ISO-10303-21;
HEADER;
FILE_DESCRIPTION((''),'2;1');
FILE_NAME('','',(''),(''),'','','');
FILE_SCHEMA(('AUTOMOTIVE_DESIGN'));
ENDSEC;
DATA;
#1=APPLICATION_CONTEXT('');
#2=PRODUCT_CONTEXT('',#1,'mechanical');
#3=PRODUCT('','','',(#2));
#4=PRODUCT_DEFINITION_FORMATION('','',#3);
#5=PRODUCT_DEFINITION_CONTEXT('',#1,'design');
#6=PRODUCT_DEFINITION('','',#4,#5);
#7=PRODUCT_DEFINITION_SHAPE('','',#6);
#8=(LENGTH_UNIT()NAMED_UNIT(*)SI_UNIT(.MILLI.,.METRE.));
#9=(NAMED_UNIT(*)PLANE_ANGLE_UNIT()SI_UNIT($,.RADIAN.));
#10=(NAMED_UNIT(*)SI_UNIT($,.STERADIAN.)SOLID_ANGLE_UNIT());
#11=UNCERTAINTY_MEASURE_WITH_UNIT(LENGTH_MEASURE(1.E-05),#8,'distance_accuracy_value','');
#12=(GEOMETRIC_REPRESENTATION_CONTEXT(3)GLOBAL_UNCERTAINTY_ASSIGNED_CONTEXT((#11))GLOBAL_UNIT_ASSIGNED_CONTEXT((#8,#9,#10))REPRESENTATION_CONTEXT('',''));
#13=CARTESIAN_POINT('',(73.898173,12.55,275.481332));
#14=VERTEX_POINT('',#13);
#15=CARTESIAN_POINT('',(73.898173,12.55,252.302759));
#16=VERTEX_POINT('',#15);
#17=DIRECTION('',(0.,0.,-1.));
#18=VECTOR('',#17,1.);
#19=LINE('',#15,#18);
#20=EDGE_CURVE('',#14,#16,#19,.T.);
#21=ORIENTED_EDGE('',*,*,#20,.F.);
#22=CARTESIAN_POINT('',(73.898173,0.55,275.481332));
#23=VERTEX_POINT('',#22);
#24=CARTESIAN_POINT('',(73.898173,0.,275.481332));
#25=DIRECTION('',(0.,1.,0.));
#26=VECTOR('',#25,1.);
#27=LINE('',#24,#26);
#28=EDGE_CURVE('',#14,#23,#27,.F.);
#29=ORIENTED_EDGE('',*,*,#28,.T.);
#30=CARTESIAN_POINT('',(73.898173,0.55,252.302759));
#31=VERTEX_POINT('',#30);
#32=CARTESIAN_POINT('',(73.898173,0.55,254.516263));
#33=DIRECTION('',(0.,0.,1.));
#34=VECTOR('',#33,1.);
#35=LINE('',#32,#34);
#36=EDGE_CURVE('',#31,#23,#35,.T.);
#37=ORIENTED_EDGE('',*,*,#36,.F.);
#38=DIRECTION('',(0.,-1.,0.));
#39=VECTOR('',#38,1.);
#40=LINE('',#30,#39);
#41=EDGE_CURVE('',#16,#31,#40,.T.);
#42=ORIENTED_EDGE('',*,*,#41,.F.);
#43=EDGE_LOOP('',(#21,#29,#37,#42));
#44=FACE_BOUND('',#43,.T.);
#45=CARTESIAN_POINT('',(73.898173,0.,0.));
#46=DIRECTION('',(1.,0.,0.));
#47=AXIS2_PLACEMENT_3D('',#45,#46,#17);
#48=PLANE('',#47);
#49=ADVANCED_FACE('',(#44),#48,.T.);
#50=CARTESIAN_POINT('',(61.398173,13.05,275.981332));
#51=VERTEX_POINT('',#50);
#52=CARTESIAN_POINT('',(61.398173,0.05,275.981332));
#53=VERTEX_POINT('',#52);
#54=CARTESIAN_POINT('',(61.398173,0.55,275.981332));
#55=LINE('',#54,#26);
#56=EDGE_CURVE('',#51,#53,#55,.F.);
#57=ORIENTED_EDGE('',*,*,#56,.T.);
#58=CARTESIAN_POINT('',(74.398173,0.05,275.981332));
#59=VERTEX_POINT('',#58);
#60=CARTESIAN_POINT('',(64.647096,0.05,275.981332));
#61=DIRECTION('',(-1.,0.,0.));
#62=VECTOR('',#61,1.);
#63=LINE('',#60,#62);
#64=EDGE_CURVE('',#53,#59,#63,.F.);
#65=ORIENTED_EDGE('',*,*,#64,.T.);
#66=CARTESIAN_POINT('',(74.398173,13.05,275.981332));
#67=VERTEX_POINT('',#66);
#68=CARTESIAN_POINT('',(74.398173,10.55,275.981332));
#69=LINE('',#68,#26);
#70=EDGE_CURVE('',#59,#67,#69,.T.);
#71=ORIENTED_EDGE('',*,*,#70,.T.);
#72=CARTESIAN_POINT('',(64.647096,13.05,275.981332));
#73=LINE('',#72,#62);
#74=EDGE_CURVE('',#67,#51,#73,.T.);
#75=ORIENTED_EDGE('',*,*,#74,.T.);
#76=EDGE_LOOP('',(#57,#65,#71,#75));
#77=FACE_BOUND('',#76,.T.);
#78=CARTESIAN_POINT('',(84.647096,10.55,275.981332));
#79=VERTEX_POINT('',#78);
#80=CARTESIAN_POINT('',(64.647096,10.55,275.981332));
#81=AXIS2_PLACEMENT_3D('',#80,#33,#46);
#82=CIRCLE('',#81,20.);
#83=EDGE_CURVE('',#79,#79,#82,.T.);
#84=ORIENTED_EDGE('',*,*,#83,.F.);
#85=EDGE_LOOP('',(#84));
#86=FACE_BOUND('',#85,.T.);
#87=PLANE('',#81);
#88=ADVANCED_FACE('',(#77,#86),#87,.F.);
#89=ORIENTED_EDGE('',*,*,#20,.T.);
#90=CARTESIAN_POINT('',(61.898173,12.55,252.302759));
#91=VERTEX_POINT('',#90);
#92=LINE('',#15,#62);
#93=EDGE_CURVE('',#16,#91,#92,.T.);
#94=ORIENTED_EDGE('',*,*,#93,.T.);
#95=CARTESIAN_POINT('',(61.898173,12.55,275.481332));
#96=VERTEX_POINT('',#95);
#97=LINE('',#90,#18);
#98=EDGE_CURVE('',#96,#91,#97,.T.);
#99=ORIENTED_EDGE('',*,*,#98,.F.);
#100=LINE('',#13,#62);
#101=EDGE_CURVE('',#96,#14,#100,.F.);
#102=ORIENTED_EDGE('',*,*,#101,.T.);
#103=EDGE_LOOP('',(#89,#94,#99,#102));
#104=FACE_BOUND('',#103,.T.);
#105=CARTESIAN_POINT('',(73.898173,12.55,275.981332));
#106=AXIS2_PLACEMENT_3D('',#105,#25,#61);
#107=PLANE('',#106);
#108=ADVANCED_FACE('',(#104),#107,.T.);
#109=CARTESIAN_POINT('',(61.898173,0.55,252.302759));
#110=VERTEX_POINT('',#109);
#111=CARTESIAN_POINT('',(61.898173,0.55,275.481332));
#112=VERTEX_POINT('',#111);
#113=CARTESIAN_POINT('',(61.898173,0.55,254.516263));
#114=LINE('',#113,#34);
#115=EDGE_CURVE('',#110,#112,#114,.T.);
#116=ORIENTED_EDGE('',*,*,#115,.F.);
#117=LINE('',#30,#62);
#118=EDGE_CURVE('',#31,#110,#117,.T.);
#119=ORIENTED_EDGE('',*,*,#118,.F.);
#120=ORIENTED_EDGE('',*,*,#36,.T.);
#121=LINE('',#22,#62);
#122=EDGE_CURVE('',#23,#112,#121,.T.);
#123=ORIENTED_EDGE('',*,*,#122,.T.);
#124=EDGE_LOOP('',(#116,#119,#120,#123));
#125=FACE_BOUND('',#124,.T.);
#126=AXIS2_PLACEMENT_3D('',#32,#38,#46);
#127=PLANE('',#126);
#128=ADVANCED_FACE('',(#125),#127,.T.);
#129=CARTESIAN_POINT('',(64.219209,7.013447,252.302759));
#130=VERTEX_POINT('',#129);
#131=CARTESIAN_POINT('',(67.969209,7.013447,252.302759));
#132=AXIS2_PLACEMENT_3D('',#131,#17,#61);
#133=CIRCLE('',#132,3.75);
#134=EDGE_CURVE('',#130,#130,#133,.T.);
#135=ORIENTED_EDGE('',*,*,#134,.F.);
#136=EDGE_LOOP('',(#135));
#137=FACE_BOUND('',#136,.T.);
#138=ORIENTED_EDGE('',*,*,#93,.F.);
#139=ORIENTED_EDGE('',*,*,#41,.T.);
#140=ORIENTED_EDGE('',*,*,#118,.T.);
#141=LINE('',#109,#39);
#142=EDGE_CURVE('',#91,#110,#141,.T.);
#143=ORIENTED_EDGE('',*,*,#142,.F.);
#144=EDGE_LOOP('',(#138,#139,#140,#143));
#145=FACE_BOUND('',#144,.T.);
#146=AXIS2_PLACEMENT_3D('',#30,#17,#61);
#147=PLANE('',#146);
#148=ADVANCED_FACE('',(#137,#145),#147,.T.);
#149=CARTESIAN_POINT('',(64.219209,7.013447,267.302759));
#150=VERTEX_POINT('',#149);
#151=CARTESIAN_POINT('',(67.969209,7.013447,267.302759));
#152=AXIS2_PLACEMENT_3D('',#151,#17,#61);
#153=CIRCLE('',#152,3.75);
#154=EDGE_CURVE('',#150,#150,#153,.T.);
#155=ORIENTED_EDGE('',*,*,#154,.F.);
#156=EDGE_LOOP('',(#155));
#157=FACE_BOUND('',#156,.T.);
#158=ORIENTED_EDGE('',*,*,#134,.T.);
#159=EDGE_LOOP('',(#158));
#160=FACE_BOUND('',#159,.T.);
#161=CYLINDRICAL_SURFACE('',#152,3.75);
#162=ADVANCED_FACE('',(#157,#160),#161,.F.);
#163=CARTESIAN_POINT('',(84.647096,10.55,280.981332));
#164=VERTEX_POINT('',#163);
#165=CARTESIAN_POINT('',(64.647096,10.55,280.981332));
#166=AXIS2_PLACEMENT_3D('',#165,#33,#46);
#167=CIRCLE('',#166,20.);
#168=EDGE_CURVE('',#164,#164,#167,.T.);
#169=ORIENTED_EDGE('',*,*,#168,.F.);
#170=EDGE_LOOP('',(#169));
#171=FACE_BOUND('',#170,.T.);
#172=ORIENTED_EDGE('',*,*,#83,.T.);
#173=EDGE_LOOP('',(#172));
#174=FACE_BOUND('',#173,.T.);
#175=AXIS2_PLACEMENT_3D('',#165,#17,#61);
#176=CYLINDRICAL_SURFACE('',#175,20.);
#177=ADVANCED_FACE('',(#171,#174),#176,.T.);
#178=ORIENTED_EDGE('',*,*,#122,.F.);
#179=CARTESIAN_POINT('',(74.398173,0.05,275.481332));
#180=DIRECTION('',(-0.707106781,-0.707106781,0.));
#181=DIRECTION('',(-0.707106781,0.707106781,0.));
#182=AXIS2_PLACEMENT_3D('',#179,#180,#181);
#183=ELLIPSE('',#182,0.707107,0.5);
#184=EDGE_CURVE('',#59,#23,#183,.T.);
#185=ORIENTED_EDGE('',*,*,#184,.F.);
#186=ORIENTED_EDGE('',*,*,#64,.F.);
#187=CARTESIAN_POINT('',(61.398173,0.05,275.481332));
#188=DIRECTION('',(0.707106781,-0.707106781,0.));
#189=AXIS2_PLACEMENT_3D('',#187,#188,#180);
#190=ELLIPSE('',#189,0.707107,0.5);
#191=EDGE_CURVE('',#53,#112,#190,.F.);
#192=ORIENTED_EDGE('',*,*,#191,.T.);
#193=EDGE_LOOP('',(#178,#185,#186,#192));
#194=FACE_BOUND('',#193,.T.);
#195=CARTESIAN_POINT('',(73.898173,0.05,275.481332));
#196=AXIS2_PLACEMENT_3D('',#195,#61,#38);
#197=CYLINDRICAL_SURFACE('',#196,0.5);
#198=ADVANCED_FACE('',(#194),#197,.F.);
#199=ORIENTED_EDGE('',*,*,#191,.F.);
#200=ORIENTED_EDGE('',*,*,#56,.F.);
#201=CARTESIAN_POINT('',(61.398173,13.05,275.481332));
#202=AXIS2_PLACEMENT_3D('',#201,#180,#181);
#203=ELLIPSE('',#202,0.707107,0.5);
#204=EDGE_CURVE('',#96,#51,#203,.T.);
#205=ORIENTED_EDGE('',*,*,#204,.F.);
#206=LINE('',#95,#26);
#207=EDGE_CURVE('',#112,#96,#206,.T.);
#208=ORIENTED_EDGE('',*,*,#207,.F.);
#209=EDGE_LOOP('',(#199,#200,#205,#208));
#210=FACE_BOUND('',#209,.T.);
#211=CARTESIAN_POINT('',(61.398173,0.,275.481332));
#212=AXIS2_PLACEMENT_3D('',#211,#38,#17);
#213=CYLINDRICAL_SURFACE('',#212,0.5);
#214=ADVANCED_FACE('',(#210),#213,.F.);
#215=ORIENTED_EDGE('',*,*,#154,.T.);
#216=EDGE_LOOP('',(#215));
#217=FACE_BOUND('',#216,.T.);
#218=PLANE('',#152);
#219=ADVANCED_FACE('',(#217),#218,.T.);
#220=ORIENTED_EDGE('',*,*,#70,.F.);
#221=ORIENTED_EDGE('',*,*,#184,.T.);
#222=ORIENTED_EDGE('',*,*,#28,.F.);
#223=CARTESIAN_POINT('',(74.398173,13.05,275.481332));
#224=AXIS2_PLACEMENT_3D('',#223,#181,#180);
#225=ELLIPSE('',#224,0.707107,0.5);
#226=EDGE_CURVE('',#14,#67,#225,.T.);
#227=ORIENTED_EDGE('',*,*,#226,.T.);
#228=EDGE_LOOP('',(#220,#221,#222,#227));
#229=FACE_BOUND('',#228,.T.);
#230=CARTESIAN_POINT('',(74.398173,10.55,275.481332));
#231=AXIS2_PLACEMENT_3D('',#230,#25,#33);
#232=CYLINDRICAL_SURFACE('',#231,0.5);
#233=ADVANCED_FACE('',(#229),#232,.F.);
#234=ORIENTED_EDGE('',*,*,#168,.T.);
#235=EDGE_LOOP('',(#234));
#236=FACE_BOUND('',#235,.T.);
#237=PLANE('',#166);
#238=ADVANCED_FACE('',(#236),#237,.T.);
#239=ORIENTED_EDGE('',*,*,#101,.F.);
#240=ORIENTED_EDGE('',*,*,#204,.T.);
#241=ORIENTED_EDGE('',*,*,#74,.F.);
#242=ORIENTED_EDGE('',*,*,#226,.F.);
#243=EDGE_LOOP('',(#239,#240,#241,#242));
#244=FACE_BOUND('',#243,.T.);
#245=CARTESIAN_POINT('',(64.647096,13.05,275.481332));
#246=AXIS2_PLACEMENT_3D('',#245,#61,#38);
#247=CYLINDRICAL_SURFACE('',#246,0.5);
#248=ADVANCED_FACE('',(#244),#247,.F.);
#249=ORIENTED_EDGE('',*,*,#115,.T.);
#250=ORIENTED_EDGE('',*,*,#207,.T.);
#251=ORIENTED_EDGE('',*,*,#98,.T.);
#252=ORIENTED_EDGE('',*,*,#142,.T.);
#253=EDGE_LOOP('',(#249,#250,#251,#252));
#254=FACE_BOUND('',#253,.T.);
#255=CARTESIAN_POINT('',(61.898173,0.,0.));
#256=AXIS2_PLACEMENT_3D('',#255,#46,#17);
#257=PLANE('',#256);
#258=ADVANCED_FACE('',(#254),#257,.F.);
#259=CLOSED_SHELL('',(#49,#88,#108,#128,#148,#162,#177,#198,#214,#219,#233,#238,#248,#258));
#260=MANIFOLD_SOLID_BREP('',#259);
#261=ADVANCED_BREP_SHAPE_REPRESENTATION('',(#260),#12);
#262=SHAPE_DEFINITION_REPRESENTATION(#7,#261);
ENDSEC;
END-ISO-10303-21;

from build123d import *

# Parameters (mm, degrees)
BOSS_EXTRUDE1_DEPTH      = 5
BOSS_EXTRUDE1_DEPTH_BACK = 7
SKETCH3_R                = 20
BOSS_EXTRUDE2_DEPTH      = 5
FILLET1_R                = 0.5
SKETCH6_R                = 3.75
CUT_EXTRUDE1_DEPTH       = 15


with BuildPart() as part:
    # Sketch1 → Boss-Extrude1 (new body, two sides)
    with BuildSketch(Plane.ZY.offset(-66.898173267)) as boss_extrude1_sk:
        Polygon((275.981331654, 12.55), (275.981331654, 0.55), (254.516262845, 0.55), (252.302759373, 0.55), (252.302759373, 12.55), (254.516262845, 12.55), align=None)
    extrude(amount=BOSS_EXTRUDE1_DEPTH)
    extrude(boss_extrude1_sk.sketch, amount=-BOSS_EXTRUDE1_DEPTH_BACK)

    # Sketch3 → Boss-Extrude2 (add)
    with BuildSketch(Plane.XY.offset(275.981331654)):
        with Locations((64.647096069, 10.55)):
            Circle(SKETCH3_R)
    extrude(amount=BOSS_EXTRUDE2_DEPTH)

    # Fillet1
    fillet1_edges = [part.edges().sort_by_distance(p)[0] for p in [
        (67.898173267, 12.55, 275.981331654),
        (67.898173267, 0.55, 275.981331654),
        (73.898173267, 6.55, 275.981331654),
        (61.898173267, 6.55, 275.981331654),
    ]]
    fillet(fillet1_edges, radius=FILLET1_R)

    # Sketch6 → Cut-Extrude1 (cut)
    with BuildSketch(Plane(origin=(0, 0, 252.302759373), x_dir=(-1, 0, 0), z_dir=(0, 0, -1))):
        with Locations((-67.969208633, 7.013446821)):
            Circle(SKETCH6_R)
    extrude(amount=-CUT_EXTRUDE1_DEPTH, mode=Mode.SUBTRACT)


solid = part.part
